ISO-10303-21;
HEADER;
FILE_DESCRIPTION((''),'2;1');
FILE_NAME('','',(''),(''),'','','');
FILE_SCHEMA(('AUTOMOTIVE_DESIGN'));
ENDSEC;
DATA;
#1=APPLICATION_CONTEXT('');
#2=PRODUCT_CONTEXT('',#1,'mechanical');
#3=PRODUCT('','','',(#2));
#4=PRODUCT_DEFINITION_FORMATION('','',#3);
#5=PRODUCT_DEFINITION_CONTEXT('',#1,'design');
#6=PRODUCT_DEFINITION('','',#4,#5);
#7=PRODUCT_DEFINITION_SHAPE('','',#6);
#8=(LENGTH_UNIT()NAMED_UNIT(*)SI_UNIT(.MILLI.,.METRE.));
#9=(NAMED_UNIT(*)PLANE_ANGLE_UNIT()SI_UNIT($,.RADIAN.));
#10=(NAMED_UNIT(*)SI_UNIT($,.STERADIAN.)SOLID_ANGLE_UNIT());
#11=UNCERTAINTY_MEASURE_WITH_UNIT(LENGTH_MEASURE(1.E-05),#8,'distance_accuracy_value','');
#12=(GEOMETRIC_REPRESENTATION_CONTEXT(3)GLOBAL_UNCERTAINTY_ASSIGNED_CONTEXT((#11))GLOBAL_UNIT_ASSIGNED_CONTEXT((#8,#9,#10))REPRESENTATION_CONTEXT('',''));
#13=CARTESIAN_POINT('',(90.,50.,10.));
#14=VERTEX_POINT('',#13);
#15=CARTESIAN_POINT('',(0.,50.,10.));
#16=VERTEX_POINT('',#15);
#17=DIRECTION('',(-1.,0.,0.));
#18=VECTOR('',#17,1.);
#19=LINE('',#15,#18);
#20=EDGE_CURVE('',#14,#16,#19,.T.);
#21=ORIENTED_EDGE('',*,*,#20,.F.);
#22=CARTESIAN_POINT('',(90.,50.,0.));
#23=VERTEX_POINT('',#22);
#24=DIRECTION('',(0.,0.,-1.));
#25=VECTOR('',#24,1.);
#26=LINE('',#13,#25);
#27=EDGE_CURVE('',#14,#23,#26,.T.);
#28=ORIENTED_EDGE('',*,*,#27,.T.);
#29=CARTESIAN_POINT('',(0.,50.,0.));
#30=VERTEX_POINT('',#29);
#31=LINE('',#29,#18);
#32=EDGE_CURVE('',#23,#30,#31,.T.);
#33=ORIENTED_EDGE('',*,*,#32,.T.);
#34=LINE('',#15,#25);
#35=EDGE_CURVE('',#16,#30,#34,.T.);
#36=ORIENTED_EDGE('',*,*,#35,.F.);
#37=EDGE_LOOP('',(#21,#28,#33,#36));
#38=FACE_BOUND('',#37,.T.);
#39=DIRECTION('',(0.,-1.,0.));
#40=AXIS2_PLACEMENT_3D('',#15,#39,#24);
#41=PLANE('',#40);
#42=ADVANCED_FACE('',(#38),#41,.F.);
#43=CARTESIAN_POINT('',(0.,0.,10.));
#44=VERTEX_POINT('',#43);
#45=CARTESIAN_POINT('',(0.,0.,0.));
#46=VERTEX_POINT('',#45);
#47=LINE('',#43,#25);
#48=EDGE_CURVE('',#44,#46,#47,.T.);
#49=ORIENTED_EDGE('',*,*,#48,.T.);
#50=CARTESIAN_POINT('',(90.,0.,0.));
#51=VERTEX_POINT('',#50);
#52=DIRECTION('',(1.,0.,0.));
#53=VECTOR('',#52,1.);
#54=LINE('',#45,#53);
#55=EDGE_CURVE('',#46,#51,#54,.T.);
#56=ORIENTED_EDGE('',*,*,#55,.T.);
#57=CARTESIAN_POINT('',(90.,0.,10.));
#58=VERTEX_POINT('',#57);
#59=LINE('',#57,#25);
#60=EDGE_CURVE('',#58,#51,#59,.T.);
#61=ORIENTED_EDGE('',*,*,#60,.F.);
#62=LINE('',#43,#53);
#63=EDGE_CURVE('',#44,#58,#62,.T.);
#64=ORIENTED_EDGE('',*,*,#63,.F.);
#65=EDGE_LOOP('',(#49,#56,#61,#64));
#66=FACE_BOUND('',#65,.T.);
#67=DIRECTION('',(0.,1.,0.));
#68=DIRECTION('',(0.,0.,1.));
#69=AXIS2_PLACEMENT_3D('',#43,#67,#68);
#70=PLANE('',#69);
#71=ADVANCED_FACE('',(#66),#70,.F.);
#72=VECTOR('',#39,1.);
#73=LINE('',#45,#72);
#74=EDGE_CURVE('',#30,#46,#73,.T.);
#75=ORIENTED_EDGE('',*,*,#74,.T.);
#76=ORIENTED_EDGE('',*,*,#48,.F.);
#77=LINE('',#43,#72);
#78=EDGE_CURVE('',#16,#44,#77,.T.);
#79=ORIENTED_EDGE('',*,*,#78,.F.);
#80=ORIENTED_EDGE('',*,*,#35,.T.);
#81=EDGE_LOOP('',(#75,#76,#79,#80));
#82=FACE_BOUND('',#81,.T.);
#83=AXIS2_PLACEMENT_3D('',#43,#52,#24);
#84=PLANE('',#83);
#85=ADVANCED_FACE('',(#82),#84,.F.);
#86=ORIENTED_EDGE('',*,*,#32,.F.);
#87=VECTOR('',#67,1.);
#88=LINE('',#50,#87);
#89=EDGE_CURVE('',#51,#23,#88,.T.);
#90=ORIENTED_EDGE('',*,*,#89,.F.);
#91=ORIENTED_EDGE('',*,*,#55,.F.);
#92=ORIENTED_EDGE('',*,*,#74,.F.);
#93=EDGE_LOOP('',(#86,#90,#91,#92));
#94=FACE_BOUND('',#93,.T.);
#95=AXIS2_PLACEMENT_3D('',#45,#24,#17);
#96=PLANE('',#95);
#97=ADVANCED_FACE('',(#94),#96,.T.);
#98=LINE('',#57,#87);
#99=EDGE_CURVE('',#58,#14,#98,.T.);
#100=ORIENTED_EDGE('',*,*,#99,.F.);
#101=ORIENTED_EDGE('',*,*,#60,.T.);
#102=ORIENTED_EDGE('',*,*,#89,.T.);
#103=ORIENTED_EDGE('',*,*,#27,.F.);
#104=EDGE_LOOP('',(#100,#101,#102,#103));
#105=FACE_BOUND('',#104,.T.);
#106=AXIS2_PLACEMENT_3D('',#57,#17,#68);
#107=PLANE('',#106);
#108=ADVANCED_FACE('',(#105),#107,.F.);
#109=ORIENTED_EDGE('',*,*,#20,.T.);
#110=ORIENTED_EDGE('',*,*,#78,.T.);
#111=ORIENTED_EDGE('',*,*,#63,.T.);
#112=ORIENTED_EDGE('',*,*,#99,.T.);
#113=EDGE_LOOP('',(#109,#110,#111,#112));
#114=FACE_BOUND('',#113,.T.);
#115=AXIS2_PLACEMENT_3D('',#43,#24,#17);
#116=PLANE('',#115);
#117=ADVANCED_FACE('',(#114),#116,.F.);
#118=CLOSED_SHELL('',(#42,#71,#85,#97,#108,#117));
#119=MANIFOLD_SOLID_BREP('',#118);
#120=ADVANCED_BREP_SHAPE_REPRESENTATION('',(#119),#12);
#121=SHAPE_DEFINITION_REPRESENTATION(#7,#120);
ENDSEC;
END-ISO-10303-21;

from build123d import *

# Parameters (mm, degrees)
SKETCH1_W      = 90
SKETCH1_H      = 50
EXTRUDE1_DEPTH = 10


with BuildPart() as part:
    # Sketch1 → Extrude1 (new body)
    with BuildSketch(Plane.XY):
        with Locations((45, 25)):
            Rectangle(SKETCH1_W, SKETCH1_H)
    extrude(amount=EXTRUDE1_DEPTH)


solid = part.part
